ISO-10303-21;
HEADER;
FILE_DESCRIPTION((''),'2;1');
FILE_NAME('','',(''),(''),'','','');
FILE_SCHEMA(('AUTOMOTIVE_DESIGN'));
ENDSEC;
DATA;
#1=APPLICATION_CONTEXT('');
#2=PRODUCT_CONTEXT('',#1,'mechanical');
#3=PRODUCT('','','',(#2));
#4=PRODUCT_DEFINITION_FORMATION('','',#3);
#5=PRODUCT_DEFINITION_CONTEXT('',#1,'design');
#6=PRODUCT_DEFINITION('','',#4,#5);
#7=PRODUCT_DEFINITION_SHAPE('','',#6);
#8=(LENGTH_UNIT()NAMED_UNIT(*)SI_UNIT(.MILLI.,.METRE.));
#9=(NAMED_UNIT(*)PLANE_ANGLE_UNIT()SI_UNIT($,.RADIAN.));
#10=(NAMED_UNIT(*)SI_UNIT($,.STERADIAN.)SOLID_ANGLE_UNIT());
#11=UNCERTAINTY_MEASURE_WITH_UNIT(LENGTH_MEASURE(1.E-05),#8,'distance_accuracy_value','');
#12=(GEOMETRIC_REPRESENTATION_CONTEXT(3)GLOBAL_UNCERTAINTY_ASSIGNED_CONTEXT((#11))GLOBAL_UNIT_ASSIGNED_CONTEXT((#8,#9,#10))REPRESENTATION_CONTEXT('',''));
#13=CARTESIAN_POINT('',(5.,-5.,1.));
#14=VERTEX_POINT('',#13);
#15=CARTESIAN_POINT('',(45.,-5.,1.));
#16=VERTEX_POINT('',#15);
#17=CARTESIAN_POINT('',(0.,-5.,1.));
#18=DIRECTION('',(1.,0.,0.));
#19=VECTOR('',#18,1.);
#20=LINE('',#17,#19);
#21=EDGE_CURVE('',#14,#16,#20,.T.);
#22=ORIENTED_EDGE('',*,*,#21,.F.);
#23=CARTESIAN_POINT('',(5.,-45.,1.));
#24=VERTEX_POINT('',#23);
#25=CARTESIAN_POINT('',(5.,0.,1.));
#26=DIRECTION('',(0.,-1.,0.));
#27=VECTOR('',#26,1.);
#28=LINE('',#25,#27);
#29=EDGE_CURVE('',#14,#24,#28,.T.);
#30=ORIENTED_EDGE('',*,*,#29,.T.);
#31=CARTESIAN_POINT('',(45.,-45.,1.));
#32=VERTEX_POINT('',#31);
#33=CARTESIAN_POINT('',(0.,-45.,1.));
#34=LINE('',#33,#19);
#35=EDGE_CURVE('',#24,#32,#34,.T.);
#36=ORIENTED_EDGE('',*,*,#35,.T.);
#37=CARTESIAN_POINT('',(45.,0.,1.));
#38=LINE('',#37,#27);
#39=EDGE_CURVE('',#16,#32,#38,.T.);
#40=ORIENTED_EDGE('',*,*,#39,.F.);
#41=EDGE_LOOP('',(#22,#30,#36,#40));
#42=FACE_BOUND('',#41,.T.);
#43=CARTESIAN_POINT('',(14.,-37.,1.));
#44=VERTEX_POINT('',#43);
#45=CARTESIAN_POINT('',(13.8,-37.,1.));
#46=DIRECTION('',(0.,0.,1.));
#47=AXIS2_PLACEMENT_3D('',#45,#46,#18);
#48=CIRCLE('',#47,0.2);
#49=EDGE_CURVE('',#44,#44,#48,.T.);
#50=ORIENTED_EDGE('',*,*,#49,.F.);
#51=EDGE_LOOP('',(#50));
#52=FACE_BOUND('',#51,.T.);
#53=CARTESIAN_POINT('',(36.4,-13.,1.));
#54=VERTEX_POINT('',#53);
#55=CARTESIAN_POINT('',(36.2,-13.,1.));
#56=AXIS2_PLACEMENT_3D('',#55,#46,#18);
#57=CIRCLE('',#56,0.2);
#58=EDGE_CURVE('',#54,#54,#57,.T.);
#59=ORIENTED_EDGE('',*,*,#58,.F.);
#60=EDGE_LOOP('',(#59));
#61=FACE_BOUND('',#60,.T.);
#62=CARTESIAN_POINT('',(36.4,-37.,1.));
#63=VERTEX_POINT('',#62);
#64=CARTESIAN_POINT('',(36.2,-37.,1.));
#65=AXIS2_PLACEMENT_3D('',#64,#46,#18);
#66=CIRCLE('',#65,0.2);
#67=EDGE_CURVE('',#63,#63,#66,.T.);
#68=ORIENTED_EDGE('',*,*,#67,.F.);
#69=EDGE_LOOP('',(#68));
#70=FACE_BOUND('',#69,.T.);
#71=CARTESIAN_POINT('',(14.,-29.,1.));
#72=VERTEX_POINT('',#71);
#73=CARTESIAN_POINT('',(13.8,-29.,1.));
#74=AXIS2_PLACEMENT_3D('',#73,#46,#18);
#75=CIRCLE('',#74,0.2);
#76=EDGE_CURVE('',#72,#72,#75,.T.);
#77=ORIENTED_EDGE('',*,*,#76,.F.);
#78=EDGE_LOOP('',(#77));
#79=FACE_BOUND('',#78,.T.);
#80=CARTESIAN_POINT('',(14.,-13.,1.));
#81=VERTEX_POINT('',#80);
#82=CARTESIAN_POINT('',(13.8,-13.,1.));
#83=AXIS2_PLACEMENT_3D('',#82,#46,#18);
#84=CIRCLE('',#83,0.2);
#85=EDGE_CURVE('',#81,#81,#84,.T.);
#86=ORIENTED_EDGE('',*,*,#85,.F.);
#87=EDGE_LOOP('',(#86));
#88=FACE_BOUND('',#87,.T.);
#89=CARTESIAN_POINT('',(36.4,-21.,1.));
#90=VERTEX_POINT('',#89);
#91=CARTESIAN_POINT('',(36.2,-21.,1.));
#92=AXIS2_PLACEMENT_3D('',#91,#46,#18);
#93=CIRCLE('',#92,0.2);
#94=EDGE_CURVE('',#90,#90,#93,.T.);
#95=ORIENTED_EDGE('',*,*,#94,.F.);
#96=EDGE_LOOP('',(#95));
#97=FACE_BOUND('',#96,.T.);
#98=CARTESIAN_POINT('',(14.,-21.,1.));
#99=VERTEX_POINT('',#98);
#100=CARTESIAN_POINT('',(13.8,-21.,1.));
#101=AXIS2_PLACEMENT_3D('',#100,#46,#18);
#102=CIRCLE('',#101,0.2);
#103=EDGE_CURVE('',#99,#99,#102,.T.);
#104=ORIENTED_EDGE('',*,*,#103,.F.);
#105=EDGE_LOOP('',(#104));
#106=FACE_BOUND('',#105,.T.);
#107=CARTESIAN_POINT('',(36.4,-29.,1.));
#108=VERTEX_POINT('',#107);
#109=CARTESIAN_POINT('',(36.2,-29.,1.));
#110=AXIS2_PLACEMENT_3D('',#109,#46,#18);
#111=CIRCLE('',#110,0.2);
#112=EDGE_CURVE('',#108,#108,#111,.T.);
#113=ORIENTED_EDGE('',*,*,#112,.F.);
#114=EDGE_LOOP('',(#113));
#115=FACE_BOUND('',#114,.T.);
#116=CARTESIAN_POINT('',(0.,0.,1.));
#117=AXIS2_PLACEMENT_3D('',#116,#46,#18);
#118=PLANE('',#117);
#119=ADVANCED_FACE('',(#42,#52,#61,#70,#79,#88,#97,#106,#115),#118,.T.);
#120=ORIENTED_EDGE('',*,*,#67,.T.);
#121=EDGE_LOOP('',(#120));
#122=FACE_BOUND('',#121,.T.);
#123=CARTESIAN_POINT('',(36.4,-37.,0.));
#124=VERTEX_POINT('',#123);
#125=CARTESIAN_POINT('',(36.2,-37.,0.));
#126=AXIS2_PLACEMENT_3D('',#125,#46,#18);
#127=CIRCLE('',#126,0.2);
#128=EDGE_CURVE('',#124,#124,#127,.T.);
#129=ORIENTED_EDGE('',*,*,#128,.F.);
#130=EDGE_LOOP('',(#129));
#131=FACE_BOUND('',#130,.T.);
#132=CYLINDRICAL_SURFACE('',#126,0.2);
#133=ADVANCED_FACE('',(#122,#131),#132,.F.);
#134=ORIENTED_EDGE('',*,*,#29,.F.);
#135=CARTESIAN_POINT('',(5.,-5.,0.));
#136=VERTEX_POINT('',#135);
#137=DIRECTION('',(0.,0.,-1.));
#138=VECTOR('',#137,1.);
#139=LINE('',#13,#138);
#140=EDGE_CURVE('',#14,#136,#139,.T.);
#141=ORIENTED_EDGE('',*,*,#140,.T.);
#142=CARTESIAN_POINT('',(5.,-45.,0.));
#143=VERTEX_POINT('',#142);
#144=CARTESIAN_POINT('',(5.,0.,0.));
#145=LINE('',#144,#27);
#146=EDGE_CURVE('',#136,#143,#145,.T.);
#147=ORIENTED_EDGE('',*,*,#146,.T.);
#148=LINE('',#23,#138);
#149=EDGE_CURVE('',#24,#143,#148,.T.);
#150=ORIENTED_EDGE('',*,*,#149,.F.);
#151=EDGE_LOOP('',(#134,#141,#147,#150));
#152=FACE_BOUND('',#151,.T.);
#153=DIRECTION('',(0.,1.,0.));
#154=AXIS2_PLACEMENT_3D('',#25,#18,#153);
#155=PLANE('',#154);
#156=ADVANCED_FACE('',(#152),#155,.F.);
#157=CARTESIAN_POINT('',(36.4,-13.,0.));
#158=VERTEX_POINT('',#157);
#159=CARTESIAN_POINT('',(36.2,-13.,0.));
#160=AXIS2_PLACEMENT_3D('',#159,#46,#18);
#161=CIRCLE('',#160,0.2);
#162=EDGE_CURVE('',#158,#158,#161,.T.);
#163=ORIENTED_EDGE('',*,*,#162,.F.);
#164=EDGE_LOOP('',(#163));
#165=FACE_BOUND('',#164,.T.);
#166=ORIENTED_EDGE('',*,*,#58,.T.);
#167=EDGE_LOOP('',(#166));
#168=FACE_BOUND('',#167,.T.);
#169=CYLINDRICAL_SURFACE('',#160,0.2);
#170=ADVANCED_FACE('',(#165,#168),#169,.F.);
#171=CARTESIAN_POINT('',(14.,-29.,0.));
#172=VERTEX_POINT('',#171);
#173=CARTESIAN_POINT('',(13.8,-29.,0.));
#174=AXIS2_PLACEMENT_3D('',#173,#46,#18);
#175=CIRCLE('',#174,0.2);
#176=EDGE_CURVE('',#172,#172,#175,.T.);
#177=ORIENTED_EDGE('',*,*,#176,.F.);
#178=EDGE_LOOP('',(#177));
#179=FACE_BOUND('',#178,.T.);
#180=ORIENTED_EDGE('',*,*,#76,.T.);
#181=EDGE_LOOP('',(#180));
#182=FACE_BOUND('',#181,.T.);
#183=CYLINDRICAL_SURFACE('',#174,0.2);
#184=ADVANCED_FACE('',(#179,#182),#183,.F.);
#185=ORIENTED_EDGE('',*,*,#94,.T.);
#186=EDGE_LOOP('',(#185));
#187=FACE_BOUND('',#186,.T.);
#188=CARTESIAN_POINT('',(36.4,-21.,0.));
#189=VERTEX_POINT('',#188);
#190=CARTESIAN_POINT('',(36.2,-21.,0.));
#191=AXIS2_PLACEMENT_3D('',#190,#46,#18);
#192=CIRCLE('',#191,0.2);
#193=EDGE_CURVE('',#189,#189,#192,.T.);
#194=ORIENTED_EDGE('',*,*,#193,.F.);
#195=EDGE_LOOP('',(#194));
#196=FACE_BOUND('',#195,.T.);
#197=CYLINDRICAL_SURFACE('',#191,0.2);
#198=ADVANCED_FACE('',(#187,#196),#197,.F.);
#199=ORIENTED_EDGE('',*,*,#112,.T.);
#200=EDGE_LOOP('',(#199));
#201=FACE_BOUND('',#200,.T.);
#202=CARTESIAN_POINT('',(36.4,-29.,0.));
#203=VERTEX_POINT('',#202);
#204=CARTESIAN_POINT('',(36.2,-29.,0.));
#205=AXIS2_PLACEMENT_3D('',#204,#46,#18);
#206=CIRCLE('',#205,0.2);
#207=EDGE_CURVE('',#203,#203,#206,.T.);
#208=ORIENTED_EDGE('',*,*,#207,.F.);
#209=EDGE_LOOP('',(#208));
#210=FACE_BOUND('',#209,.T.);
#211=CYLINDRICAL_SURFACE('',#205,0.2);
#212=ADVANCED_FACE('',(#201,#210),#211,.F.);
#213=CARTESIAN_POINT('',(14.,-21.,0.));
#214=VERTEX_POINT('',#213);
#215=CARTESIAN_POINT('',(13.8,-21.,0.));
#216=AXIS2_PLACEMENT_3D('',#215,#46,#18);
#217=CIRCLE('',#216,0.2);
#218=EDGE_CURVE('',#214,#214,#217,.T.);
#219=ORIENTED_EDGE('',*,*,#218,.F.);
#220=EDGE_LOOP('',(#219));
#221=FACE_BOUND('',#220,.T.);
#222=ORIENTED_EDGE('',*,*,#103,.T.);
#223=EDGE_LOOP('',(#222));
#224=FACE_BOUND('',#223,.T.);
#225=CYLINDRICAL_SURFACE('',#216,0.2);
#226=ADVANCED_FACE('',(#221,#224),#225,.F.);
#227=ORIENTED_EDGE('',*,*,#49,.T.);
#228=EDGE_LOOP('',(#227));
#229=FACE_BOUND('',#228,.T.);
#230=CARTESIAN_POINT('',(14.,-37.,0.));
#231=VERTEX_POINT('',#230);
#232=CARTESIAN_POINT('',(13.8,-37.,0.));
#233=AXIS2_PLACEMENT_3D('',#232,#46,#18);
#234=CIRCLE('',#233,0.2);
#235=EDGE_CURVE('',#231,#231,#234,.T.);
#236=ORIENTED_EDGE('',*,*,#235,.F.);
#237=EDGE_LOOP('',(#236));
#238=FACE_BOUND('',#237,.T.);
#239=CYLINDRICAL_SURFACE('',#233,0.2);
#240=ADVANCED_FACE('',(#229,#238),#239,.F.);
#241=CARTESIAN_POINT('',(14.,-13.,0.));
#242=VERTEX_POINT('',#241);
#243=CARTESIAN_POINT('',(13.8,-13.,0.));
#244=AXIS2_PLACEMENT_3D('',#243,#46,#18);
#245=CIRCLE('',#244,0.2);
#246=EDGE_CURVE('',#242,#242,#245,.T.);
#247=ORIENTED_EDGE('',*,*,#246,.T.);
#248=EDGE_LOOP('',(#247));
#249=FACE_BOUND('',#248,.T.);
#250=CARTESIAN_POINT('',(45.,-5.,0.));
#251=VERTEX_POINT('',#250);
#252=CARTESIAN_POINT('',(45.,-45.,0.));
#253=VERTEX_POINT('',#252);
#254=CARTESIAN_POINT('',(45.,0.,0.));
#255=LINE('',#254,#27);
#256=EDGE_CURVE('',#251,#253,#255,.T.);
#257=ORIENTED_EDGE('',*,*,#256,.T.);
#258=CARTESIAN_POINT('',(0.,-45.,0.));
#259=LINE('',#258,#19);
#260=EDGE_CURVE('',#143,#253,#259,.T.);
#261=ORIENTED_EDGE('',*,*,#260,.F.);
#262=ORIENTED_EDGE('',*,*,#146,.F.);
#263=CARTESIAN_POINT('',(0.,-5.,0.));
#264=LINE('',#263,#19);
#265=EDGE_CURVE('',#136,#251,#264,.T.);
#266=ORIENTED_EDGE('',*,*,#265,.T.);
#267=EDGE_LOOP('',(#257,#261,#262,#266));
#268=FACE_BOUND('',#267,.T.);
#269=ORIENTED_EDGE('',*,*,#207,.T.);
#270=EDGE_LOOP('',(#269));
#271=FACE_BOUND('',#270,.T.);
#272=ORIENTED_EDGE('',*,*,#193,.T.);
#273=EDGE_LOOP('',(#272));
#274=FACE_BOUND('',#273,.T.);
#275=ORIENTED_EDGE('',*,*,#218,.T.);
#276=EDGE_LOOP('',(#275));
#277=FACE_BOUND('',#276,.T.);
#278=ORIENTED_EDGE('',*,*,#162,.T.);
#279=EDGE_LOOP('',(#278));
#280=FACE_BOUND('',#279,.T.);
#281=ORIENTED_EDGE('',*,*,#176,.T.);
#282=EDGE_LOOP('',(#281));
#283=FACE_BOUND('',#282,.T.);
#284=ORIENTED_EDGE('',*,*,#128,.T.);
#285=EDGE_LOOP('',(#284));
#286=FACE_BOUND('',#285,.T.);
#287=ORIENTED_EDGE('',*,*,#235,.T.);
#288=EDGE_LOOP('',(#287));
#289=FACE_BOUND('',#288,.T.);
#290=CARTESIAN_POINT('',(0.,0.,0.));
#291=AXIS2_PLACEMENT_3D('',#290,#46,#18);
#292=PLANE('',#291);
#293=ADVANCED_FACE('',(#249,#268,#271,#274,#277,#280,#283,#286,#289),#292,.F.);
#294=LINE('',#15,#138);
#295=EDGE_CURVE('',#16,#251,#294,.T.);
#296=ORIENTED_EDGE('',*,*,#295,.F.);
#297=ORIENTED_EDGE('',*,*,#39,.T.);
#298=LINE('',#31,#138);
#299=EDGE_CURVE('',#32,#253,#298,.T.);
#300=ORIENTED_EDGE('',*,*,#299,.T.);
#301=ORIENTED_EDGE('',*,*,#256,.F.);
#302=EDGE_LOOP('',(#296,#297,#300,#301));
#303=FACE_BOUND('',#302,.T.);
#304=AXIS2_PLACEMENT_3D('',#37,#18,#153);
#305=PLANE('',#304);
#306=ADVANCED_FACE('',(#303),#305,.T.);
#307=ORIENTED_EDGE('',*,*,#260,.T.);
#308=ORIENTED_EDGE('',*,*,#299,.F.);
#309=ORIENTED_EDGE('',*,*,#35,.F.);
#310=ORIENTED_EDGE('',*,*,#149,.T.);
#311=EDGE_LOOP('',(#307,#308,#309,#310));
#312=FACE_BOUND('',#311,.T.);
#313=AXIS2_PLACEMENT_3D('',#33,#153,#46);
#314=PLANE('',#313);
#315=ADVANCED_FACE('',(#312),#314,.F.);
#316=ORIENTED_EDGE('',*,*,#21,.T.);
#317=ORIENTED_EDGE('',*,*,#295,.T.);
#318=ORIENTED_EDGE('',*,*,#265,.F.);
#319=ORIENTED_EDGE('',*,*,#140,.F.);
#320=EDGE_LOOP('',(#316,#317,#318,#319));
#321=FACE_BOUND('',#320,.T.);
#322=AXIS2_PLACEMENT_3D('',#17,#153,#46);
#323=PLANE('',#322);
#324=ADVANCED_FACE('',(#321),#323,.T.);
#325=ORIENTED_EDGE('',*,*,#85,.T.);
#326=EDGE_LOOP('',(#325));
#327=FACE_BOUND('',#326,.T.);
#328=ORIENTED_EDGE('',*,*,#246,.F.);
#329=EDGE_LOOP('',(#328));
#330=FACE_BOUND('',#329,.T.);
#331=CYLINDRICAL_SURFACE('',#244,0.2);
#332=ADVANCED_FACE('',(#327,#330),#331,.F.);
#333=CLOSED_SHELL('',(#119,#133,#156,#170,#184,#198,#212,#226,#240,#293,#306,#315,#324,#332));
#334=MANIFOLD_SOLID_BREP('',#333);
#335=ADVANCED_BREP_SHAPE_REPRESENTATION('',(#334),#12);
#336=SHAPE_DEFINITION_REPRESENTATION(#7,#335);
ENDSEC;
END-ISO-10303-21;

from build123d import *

# Parameters (mm, degrees)
SKETCH1_W           = 40
SKETCH1_H           = 40
BOSS_EXTRUDE1_DEPTH = 1
SKETCH2_R           = 0.2
CUT_EXTRUDE1_DEPTH  = 1


with BuildPart() as part:
    # Sketch1 → Boss-Extrude1 (new body)
    with BuildSketch(Plane.XY):
        with Locations((25, -25)):
            Rectangle(SKETCH1_W, SKETCH1_H)
    extrude(amount=BOSS_EXTRUDE1_DEPTH)

    # Sketch2 → Cut-Extrude1 (cut)
    with BuildSketch(Plane.XY.offset(1)):
        with Locations((13.8, -13)):
            Circle(SKETCH2_R)
        with Locations((36.2, -13)):
            Circle(SKETCH2_R)
        with Locations((36.2, -21)):
            Circle(SKETCH2_R)
        with Locations((13.8, -21)):
            Circle(SKETCH2_R)
        with Locations((13.8, -29)):
            Circle(SKETCH2_R)
        with Locations((36.2, -29)):
            Circle(SKETCH2_R)
        with Locations((36.2, -37)):
            Circle(SKETCH2_R)
        with Locations((13.8, -37)):
            Circle(SKETCH2_R)
    extrude(amount=-CUT_EXTRUDE1_DEPTH, mode=Mode.SUBTRACT)


solid = part.part
